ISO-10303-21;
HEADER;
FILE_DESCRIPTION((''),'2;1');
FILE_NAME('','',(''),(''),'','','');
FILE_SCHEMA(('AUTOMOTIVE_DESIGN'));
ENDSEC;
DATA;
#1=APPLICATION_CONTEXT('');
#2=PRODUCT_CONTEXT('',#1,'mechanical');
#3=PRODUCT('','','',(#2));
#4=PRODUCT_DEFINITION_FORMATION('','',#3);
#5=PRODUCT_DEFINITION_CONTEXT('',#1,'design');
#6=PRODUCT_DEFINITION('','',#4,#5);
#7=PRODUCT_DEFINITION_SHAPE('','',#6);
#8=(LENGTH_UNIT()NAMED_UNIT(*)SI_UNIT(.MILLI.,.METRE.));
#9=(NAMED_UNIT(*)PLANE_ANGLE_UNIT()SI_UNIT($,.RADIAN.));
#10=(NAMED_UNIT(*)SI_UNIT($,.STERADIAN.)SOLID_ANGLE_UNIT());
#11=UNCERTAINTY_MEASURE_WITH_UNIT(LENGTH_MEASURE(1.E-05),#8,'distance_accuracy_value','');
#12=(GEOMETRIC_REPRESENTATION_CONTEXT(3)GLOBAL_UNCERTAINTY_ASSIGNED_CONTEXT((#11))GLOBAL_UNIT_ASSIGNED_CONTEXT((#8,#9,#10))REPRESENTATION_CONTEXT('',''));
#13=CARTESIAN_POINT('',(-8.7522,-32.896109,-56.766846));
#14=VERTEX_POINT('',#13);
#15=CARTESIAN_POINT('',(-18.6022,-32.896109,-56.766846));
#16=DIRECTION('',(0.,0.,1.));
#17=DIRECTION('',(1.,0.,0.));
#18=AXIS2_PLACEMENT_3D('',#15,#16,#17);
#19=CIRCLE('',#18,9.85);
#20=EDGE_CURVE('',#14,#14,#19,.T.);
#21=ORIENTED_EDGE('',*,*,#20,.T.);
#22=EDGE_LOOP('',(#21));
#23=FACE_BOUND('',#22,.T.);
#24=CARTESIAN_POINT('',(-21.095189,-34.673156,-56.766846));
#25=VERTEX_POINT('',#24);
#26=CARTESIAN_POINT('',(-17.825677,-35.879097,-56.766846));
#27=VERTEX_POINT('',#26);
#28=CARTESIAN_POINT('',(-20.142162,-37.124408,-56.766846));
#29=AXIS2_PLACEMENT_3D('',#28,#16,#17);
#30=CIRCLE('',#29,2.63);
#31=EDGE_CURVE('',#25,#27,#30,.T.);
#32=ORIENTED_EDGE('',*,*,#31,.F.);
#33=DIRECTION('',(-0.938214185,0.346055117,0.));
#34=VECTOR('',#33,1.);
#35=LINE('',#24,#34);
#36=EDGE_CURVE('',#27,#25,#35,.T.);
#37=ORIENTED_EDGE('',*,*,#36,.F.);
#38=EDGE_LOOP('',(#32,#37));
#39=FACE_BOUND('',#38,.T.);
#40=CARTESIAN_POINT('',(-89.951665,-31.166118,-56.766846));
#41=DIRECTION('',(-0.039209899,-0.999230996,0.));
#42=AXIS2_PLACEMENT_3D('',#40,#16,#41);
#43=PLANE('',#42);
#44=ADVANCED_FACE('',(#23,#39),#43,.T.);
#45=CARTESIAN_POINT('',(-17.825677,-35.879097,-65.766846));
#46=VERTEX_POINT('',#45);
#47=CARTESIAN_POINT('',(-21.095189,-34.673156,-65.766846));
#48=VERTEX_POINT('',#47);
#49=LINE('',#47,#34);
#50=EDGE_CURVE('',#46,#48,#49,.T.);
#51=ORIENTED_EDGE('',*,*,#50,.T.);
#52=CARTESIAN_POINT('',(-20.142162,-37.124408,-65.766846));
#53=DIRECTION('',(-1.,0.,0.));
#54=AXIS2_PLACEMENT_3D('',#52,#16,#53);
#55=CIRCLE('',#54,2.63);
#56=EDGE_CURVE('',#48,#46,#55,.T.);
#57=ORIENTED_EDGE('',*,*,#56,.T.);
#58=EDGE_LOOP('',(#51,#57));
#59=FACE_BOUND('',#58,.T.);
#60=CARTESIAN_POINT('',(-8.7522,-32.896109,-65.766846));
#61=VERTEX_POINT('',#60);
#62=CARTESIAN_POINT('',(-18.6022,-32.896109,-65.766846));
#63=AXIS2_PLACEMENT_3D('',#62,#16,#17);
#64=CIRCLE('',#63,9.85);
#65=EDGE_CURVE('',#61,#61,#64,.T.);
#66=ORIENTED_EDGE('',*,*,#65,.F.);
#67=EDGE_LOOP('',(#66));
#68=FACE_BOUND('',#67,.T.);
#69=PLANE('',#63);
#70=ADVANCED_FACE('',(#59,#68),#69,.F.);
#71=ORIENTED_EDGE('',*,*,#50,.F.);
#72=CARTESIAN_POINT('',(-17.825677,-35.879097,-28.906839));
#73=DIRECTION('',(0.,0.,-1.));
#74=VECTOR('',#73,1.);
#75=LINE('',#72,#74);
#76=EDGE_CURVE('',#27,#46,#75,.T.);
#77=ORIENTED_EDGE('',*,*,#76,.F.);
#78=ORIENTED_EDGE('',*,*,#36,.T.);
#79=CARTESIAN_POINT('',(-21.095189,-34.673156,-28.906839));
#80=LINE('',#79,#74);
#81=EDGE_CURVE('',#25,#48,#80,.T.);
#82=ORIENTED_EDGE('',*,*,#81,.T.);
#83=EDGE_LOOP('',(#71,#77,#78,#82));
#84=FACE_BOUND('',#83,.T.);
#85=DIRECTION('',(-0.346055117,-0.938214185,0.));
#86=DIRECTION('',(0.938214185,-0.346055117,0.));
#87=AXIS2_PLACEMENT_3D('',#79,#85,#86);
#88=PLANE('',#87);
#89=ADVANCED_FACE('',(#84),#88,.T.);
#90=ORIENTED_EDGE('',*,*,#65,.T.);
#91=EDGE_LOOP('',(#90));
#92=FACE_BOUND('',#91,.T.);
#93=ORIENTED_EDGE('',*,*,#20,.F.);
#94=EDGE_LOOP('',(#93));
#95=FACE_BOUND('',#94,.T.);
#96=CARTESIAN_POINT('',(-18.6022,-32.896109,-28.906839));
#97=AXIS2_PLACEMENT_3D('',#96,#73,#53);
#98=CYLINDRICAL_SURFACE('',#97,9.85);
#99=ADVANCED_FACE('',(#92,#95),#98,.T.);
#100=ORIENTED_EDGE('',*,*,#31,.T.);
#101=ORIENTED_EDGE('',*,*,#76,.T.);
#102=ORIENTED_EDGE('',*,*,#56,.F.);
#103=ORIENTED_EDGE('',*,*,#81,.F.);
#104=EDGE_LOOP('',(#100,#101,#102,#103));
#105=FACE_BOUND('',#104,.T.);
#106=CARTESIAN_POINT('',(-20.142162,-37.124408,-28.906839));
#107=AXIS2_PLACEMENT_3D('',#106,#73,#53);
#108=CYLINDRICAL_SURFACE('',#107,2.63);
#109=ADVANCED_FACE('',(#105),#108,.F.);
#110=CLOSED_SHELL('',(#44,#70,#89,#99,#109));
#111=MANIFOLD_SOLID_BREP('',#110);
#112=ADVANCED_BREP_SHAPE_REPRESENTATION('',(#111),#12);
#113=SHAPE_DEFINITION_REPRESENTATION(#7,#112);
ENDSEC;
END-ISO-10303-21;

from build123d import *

# Parameters (mm, degrees)
SKETCH2_R           = 9.85
BOSS_EXTRUDE1_DEPTH = 9


with BuildPart() as part:
    # Sketch2 → Boss-Extrude1 (new body)
    with BuildSketch(Plane.XY.offset(-65.766846416)):
        with Locations((-18.602199674, -32.896108502)):
            Circle(SKETCH2_R)
        with BuildLine():
            Line((-21.095188771, -34.673155506), (-17.825677236, -35.879096765))
            ThreePointArc((-17.825677236, -35.879096765), (-21.05228654, -39.591911385), (-21.095188771, -34.673155506))
        make_face(mode=Mode.SUBTRACT)
    extrude(amount=BOSS_EXTRUDE1_DEPTH)


solid = part.part
